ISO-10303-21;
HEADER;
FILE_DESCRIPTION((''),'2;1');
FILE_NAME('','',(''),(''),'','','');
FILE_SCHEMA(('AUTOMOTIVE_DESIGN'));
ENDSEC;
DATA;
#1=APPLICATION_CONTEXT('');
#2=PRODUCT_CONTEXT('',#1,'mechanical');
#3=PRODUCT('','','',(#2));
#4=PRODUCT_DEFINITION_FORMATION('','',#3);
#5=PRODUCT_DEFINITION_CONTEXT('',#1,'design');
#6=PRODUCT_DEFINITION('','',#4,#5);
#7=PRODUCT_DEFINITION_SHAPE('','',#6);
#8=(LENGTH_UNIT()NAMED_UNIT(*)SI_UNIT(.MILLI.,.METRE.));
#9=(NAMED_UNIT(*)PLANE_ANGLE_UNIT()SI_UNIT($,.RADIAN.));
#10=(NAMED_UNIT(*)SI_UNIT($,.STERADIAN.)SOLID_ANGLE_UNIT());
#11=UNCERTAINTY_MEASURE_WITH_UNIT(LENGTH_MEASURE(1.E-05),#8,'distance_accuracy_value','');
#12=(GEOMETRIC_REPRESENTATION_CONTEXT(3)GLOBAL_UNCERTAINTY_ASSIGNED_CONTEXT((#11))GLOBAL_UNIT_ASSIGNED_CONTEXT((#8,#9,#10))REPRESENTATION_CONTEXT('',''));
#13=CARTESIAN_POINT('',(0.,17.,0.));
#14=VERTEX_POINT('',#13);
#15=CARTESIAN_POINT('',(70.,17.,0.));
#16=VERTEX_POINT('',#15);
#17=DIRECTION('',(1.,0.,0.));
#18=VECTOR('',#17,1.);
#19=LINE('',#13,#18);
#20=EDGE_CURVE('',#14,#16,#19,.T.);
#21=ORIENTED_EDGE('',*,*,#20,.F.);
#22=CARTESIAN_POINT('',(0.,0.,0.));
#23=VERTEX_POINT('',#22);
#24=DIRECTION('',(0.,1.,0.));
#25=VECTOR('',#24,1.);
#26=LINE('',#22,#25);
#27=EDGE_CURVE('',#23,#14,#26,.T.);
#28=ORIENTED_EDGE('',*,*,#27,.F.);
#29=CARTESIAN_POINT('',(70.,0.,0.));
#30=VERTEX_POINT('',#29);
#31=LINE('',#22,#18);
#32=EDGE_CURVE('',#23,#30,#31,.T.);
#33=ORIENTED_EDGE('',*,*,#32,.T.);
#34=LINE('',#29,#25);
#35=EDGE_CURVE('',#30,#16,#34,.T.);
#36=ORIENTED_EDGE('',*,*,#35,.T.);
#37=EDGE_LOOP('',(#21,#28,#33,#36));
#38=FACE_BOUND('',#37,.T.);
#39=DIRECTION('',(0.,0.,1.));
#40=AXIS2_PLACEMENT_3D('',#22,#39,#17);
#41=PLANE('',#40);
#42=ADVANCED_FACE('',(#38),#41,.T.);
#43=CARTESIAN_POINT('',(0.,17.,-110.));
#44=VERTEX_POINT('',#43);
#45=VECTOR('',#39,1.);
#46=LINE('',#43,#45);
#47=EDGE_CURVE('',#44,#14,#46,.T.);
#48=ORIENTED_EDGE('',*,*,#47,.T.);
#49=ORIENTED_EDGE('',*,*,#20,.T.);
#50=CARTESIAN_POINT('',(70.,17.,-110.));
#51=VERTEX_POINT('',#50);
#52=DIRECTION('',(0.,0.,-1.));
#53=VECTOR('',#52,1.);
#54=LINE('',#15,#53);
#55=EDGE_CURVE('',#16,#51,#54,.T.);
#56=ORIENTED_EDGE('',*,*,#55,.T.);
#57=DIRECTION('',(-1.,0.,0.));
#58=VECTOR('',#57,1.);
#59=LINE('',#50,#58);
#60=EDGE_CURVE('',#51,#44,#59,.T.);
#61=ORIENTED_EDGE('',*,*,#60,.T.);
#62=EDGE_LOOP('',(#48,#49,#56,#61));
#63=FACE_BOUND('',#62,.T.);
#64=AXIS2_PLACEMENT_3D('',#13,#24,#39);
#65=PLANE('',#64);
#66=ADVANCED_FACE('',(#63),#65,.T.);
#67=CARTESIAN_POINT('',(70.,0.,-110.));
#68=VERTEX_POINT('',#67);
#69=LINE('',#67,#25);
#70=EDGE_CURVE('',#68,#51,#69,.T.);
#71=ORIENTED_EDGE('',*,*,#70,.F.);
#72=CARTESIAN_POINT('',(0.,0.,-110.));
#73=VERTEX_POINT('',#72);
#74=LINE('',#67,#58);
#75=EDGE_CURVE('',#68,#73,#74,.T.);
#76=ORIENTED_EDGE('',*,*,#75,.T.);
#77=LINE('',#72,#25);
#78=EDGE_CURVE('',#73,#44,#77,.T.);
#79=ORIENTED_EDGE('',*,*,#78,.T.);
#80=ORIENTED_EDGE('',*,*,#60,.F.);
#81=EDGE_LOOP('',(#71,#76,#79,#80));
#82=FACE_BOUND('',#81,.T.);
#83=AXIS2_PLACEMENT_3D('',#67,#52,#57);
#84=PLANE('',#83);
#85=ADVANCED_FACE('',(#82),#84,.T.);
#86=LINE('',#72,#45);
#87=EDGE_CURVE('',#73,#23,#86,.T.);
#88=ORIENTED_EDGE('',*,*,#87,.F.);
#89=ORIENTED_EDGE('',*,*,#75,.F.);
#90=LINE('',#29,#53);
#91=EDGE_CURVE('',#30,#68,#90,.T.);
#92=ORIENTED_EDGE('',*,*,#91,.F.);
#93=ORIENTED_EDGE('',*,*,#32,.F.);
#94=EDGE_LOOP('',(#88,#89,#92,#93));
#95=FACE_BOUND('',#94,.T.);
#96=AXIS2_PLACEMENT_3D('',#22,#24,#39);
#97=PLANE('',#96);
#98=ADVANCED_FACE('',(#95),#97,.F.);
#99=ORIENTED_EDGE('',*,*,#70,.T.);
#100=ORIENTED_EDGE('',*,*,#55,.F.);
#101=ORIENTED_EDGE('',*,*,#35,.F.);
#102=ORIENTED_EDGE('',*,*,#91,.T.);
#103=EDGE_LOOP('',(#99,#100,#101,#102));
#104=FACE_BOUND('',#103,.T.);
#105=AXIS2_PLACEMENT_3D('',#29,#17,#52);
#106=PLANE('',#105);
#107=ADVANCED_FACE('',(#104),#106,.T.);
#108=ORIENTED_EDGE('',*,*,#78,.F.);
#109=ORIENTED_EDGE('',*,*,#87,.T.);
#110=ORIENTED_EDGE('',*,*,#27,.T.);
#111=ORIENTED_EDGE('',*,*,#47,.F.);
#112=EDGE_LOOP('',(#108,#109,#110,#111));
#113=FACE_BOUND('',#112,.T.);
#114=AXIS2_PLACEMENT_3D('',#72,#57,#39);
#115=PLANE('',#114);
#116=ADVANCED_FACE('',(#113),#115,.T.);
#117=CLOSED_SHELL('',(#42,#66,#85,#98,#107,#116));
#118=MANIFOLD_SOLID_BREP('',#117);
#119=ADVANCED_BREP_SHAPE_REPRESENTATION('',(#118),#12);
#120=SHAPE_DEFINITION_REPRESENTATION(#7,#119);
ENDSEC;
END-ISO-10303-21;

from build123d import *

# Parameters (mm, degrees)
ESBO_O1_W                = 70
ESBO_O1_H                = 110
RESSALTO_EXTRUS_O1_DEPTH = 17


with BuildPart() as part:
    # Esboço1 → Ressalto-extrusão1 (new body)
    with BuildSketch(Plane(origin=(0, 17, 0), x_dir=(1, 0, 0), z_dir=(0, 1, 0))):
        with Locations((35, 55)):
            Rectangle(ESBO_O1_W, ESBO_O1_H)
    extrude(amount=-RESSALTO_EXTRUS_O1_DEPTH)


solid = part.part
